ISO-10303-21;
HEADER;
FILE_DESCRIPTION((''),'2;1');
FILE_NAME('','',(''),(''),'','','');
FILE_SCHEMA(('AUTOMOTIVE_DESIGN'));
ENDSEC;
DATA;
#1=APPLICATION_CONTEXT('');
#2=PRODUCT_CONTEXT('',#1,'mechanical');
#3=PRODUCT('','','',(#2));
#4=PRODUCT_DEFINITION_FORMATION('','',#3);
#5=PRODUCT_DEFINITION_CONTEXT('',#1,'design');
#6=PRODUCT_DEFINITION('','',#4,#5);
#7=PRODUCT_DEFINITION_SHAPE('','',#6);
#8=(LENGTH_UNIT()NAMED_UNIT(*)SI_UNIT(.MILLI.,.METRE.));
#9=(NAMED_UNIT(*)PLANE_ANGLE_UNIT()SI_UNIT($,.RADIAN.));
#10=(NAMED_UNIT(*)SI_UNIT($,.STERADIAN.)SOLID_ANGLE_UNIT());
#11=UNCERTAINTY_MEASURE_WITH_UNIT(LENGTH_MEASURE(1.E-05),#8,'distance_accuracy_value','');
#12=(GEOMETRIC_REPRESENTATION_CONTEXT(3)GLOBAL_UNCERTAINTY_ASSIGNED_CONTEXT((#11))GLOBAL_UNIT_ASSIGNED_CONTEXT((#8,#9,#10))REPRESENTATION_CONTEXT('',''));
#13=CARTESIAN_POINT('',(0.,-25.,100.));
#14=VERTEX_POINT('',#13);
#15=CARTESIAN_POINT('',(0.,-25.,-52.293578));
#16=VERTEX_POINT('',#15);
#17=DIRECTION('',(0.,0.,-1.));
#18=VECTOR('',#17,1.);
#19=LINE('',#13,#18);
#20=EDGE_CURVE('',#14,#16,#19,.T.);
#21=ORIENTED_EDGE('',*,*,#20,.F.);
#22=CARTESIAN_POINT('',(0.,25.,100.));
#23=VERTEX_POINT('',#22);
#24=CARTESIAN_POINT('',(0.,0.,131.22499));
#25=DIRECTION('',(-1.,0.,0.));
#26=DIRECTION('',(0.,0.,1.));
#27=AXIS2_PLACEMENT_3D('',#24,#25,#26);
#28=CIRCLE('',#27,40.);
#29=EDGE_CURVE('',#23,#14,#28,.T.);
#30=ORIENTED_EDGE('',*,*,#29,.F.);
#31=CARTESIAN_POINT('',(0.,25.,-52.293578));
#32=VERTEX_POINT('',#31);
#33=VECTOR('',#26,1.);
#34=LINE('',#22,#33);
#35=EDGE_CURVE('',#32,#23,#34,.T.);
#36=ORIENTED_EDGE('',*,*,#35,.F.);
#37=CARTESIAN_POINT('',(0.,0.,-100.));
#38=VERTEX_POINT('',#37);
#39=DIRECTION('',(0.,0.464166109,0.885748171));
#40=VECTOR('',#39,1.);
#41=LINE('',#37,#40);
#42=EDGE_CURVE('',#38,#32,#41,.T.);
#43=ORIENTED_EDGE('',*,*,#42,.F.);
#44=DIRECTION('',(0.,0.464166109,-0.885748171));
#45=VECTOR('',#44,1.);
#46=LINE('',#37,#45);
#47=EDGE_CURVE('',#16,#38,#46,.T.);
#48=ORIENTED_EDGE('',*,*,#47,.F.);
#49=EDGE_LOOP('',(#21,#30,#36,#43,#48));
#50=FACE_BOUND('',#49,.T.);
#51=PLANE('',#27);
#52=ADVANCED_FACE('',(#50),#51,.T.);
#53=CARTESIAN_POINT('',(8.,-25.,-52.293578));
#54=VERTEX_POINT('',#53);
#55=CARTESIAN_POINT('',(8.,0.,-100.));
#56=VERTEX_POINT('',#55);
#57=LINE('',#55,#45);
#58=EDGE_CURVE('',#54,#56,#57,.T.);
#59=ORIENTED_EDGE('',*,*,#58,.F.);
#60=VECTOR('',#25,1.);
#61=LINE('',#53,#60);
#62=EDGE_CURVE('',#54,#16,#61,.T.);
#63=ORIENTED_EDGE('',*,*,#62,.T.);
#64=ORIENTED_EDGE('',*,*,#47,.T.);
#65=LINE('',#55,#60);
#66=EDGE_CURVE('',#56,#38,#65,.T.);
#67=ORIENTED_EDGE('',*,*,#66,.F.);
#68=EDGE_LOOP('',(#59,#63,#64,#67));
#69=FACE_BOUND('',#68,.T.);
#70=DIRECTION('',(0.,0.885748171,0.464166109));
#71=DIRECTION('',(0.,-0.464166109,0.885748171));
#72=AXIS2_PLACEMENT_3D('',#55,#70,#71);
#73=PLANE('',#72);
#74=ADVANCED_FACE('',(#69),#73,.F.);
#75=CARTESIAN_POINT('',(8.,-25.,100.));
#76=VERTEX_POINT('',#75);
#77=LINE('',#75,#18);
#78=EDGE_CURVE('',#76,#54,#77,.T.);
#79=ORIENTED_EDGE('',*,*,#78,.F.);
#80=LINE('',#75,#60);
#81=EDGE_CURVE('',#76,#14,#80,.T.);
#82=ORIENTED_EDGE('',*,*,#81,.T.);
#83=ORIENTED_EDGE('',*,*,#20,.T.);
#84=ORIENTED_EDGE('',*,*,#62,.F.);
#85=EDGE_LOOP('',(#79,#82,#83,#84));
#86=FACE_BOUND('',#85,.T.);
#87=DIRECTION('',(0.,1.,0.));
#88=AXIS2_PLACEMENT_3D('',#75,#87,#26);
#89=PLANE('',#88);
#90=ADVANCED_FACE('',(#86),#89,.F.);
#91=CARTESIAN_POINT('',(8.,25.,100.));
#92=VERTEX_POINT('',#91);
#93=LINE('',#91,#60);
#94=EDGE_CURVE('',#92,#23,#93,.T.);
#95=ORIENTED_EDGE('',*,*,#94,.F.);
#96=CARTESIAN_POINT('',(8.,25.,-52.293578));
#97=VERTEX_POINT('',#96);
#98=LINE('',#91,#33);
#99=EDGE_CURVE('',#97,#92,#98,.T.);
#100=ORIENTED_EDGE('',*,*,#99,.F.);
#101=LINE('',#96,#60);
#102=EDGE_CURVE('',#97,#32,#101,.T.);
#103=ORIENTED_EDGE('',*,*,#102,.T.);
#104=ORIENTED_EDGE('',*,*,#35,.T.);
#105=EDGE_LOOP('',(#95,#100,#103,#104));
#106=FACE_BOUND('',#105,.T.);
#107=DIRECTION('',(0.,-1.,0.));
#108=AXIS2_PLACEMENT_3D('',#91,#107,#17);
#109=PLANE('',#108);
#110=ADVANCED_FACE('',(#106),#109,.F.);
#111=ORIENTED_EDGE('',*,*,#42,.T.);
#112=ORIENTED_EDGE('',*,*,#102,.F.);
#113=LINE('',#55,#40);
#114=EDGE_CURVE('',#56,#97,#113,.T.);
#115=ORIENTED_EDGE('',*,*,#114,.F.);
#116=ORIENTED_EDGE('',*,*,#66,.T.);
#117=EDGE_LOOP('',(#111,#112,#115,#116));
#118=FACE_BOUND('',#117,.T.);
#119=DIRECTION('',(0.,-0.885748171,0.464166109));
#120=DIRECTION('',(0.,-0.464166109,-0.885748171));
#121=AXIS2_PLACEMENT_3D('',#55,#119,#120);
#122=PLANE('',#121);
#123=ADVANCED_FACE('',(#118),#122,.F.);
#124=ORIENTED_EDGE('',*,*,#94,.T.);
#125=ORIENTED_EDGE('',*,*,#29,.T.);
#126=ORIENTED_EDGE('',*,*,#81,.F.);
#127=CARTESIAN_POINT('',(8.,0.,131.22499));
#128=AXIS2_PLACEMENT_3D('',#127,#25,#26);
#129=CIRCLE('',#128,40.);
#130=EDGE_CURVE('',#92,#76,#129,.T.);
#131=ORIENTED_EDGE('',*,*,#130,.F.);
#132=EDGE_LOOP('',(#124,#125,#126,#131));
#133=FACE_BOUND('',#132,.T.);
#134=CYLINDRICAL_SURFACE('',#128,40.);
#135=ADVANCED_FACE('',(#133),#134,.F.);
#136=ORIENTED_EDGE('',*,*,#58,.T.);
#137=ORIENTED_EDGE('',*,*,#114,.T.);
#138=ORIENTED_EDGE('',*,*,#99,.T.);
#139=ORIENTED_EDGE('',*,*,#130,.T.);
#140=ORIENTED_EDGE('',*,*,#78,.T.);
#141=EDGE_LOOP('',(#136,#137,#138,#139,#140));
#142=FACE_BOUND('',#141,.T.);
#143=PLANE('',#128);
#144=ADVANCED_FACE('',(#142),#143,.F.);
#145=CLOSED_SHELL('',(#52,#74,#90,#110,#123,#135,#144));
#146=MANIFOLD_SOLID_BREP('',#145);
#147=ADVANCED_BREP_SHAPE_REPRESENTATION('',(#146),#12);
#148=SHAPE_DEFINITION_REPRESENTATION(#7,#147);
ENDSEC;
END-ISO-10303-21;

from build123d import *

# Parameters (mm, degrees)
BOSS_EXTRUDE1_DEPTH = 8


with BuildPart() as part:
    # Sketch1 → Boss-Extrude1 (new body)
    with BuildSketch(Plane(origin=(0, 0, 0), x_dir=(0, 0, -1), z_dir=(1, 0, 0))):
        with BuildLine():
            Line((100, 0), (52.293577982, 25))
            Line((52.293577982, 25), (-100, 25))
            ThreePointArc((-100, 25), (-91.224989992, 0), (-100, -25))
            Line((-100, -25), (52.293577982, -25))
            Line((52.293577982, -25), (100, 0))
        make_face()
    extrude(amount=BOSS_EXTRUDE1_DEPTH)


solid = part.part
